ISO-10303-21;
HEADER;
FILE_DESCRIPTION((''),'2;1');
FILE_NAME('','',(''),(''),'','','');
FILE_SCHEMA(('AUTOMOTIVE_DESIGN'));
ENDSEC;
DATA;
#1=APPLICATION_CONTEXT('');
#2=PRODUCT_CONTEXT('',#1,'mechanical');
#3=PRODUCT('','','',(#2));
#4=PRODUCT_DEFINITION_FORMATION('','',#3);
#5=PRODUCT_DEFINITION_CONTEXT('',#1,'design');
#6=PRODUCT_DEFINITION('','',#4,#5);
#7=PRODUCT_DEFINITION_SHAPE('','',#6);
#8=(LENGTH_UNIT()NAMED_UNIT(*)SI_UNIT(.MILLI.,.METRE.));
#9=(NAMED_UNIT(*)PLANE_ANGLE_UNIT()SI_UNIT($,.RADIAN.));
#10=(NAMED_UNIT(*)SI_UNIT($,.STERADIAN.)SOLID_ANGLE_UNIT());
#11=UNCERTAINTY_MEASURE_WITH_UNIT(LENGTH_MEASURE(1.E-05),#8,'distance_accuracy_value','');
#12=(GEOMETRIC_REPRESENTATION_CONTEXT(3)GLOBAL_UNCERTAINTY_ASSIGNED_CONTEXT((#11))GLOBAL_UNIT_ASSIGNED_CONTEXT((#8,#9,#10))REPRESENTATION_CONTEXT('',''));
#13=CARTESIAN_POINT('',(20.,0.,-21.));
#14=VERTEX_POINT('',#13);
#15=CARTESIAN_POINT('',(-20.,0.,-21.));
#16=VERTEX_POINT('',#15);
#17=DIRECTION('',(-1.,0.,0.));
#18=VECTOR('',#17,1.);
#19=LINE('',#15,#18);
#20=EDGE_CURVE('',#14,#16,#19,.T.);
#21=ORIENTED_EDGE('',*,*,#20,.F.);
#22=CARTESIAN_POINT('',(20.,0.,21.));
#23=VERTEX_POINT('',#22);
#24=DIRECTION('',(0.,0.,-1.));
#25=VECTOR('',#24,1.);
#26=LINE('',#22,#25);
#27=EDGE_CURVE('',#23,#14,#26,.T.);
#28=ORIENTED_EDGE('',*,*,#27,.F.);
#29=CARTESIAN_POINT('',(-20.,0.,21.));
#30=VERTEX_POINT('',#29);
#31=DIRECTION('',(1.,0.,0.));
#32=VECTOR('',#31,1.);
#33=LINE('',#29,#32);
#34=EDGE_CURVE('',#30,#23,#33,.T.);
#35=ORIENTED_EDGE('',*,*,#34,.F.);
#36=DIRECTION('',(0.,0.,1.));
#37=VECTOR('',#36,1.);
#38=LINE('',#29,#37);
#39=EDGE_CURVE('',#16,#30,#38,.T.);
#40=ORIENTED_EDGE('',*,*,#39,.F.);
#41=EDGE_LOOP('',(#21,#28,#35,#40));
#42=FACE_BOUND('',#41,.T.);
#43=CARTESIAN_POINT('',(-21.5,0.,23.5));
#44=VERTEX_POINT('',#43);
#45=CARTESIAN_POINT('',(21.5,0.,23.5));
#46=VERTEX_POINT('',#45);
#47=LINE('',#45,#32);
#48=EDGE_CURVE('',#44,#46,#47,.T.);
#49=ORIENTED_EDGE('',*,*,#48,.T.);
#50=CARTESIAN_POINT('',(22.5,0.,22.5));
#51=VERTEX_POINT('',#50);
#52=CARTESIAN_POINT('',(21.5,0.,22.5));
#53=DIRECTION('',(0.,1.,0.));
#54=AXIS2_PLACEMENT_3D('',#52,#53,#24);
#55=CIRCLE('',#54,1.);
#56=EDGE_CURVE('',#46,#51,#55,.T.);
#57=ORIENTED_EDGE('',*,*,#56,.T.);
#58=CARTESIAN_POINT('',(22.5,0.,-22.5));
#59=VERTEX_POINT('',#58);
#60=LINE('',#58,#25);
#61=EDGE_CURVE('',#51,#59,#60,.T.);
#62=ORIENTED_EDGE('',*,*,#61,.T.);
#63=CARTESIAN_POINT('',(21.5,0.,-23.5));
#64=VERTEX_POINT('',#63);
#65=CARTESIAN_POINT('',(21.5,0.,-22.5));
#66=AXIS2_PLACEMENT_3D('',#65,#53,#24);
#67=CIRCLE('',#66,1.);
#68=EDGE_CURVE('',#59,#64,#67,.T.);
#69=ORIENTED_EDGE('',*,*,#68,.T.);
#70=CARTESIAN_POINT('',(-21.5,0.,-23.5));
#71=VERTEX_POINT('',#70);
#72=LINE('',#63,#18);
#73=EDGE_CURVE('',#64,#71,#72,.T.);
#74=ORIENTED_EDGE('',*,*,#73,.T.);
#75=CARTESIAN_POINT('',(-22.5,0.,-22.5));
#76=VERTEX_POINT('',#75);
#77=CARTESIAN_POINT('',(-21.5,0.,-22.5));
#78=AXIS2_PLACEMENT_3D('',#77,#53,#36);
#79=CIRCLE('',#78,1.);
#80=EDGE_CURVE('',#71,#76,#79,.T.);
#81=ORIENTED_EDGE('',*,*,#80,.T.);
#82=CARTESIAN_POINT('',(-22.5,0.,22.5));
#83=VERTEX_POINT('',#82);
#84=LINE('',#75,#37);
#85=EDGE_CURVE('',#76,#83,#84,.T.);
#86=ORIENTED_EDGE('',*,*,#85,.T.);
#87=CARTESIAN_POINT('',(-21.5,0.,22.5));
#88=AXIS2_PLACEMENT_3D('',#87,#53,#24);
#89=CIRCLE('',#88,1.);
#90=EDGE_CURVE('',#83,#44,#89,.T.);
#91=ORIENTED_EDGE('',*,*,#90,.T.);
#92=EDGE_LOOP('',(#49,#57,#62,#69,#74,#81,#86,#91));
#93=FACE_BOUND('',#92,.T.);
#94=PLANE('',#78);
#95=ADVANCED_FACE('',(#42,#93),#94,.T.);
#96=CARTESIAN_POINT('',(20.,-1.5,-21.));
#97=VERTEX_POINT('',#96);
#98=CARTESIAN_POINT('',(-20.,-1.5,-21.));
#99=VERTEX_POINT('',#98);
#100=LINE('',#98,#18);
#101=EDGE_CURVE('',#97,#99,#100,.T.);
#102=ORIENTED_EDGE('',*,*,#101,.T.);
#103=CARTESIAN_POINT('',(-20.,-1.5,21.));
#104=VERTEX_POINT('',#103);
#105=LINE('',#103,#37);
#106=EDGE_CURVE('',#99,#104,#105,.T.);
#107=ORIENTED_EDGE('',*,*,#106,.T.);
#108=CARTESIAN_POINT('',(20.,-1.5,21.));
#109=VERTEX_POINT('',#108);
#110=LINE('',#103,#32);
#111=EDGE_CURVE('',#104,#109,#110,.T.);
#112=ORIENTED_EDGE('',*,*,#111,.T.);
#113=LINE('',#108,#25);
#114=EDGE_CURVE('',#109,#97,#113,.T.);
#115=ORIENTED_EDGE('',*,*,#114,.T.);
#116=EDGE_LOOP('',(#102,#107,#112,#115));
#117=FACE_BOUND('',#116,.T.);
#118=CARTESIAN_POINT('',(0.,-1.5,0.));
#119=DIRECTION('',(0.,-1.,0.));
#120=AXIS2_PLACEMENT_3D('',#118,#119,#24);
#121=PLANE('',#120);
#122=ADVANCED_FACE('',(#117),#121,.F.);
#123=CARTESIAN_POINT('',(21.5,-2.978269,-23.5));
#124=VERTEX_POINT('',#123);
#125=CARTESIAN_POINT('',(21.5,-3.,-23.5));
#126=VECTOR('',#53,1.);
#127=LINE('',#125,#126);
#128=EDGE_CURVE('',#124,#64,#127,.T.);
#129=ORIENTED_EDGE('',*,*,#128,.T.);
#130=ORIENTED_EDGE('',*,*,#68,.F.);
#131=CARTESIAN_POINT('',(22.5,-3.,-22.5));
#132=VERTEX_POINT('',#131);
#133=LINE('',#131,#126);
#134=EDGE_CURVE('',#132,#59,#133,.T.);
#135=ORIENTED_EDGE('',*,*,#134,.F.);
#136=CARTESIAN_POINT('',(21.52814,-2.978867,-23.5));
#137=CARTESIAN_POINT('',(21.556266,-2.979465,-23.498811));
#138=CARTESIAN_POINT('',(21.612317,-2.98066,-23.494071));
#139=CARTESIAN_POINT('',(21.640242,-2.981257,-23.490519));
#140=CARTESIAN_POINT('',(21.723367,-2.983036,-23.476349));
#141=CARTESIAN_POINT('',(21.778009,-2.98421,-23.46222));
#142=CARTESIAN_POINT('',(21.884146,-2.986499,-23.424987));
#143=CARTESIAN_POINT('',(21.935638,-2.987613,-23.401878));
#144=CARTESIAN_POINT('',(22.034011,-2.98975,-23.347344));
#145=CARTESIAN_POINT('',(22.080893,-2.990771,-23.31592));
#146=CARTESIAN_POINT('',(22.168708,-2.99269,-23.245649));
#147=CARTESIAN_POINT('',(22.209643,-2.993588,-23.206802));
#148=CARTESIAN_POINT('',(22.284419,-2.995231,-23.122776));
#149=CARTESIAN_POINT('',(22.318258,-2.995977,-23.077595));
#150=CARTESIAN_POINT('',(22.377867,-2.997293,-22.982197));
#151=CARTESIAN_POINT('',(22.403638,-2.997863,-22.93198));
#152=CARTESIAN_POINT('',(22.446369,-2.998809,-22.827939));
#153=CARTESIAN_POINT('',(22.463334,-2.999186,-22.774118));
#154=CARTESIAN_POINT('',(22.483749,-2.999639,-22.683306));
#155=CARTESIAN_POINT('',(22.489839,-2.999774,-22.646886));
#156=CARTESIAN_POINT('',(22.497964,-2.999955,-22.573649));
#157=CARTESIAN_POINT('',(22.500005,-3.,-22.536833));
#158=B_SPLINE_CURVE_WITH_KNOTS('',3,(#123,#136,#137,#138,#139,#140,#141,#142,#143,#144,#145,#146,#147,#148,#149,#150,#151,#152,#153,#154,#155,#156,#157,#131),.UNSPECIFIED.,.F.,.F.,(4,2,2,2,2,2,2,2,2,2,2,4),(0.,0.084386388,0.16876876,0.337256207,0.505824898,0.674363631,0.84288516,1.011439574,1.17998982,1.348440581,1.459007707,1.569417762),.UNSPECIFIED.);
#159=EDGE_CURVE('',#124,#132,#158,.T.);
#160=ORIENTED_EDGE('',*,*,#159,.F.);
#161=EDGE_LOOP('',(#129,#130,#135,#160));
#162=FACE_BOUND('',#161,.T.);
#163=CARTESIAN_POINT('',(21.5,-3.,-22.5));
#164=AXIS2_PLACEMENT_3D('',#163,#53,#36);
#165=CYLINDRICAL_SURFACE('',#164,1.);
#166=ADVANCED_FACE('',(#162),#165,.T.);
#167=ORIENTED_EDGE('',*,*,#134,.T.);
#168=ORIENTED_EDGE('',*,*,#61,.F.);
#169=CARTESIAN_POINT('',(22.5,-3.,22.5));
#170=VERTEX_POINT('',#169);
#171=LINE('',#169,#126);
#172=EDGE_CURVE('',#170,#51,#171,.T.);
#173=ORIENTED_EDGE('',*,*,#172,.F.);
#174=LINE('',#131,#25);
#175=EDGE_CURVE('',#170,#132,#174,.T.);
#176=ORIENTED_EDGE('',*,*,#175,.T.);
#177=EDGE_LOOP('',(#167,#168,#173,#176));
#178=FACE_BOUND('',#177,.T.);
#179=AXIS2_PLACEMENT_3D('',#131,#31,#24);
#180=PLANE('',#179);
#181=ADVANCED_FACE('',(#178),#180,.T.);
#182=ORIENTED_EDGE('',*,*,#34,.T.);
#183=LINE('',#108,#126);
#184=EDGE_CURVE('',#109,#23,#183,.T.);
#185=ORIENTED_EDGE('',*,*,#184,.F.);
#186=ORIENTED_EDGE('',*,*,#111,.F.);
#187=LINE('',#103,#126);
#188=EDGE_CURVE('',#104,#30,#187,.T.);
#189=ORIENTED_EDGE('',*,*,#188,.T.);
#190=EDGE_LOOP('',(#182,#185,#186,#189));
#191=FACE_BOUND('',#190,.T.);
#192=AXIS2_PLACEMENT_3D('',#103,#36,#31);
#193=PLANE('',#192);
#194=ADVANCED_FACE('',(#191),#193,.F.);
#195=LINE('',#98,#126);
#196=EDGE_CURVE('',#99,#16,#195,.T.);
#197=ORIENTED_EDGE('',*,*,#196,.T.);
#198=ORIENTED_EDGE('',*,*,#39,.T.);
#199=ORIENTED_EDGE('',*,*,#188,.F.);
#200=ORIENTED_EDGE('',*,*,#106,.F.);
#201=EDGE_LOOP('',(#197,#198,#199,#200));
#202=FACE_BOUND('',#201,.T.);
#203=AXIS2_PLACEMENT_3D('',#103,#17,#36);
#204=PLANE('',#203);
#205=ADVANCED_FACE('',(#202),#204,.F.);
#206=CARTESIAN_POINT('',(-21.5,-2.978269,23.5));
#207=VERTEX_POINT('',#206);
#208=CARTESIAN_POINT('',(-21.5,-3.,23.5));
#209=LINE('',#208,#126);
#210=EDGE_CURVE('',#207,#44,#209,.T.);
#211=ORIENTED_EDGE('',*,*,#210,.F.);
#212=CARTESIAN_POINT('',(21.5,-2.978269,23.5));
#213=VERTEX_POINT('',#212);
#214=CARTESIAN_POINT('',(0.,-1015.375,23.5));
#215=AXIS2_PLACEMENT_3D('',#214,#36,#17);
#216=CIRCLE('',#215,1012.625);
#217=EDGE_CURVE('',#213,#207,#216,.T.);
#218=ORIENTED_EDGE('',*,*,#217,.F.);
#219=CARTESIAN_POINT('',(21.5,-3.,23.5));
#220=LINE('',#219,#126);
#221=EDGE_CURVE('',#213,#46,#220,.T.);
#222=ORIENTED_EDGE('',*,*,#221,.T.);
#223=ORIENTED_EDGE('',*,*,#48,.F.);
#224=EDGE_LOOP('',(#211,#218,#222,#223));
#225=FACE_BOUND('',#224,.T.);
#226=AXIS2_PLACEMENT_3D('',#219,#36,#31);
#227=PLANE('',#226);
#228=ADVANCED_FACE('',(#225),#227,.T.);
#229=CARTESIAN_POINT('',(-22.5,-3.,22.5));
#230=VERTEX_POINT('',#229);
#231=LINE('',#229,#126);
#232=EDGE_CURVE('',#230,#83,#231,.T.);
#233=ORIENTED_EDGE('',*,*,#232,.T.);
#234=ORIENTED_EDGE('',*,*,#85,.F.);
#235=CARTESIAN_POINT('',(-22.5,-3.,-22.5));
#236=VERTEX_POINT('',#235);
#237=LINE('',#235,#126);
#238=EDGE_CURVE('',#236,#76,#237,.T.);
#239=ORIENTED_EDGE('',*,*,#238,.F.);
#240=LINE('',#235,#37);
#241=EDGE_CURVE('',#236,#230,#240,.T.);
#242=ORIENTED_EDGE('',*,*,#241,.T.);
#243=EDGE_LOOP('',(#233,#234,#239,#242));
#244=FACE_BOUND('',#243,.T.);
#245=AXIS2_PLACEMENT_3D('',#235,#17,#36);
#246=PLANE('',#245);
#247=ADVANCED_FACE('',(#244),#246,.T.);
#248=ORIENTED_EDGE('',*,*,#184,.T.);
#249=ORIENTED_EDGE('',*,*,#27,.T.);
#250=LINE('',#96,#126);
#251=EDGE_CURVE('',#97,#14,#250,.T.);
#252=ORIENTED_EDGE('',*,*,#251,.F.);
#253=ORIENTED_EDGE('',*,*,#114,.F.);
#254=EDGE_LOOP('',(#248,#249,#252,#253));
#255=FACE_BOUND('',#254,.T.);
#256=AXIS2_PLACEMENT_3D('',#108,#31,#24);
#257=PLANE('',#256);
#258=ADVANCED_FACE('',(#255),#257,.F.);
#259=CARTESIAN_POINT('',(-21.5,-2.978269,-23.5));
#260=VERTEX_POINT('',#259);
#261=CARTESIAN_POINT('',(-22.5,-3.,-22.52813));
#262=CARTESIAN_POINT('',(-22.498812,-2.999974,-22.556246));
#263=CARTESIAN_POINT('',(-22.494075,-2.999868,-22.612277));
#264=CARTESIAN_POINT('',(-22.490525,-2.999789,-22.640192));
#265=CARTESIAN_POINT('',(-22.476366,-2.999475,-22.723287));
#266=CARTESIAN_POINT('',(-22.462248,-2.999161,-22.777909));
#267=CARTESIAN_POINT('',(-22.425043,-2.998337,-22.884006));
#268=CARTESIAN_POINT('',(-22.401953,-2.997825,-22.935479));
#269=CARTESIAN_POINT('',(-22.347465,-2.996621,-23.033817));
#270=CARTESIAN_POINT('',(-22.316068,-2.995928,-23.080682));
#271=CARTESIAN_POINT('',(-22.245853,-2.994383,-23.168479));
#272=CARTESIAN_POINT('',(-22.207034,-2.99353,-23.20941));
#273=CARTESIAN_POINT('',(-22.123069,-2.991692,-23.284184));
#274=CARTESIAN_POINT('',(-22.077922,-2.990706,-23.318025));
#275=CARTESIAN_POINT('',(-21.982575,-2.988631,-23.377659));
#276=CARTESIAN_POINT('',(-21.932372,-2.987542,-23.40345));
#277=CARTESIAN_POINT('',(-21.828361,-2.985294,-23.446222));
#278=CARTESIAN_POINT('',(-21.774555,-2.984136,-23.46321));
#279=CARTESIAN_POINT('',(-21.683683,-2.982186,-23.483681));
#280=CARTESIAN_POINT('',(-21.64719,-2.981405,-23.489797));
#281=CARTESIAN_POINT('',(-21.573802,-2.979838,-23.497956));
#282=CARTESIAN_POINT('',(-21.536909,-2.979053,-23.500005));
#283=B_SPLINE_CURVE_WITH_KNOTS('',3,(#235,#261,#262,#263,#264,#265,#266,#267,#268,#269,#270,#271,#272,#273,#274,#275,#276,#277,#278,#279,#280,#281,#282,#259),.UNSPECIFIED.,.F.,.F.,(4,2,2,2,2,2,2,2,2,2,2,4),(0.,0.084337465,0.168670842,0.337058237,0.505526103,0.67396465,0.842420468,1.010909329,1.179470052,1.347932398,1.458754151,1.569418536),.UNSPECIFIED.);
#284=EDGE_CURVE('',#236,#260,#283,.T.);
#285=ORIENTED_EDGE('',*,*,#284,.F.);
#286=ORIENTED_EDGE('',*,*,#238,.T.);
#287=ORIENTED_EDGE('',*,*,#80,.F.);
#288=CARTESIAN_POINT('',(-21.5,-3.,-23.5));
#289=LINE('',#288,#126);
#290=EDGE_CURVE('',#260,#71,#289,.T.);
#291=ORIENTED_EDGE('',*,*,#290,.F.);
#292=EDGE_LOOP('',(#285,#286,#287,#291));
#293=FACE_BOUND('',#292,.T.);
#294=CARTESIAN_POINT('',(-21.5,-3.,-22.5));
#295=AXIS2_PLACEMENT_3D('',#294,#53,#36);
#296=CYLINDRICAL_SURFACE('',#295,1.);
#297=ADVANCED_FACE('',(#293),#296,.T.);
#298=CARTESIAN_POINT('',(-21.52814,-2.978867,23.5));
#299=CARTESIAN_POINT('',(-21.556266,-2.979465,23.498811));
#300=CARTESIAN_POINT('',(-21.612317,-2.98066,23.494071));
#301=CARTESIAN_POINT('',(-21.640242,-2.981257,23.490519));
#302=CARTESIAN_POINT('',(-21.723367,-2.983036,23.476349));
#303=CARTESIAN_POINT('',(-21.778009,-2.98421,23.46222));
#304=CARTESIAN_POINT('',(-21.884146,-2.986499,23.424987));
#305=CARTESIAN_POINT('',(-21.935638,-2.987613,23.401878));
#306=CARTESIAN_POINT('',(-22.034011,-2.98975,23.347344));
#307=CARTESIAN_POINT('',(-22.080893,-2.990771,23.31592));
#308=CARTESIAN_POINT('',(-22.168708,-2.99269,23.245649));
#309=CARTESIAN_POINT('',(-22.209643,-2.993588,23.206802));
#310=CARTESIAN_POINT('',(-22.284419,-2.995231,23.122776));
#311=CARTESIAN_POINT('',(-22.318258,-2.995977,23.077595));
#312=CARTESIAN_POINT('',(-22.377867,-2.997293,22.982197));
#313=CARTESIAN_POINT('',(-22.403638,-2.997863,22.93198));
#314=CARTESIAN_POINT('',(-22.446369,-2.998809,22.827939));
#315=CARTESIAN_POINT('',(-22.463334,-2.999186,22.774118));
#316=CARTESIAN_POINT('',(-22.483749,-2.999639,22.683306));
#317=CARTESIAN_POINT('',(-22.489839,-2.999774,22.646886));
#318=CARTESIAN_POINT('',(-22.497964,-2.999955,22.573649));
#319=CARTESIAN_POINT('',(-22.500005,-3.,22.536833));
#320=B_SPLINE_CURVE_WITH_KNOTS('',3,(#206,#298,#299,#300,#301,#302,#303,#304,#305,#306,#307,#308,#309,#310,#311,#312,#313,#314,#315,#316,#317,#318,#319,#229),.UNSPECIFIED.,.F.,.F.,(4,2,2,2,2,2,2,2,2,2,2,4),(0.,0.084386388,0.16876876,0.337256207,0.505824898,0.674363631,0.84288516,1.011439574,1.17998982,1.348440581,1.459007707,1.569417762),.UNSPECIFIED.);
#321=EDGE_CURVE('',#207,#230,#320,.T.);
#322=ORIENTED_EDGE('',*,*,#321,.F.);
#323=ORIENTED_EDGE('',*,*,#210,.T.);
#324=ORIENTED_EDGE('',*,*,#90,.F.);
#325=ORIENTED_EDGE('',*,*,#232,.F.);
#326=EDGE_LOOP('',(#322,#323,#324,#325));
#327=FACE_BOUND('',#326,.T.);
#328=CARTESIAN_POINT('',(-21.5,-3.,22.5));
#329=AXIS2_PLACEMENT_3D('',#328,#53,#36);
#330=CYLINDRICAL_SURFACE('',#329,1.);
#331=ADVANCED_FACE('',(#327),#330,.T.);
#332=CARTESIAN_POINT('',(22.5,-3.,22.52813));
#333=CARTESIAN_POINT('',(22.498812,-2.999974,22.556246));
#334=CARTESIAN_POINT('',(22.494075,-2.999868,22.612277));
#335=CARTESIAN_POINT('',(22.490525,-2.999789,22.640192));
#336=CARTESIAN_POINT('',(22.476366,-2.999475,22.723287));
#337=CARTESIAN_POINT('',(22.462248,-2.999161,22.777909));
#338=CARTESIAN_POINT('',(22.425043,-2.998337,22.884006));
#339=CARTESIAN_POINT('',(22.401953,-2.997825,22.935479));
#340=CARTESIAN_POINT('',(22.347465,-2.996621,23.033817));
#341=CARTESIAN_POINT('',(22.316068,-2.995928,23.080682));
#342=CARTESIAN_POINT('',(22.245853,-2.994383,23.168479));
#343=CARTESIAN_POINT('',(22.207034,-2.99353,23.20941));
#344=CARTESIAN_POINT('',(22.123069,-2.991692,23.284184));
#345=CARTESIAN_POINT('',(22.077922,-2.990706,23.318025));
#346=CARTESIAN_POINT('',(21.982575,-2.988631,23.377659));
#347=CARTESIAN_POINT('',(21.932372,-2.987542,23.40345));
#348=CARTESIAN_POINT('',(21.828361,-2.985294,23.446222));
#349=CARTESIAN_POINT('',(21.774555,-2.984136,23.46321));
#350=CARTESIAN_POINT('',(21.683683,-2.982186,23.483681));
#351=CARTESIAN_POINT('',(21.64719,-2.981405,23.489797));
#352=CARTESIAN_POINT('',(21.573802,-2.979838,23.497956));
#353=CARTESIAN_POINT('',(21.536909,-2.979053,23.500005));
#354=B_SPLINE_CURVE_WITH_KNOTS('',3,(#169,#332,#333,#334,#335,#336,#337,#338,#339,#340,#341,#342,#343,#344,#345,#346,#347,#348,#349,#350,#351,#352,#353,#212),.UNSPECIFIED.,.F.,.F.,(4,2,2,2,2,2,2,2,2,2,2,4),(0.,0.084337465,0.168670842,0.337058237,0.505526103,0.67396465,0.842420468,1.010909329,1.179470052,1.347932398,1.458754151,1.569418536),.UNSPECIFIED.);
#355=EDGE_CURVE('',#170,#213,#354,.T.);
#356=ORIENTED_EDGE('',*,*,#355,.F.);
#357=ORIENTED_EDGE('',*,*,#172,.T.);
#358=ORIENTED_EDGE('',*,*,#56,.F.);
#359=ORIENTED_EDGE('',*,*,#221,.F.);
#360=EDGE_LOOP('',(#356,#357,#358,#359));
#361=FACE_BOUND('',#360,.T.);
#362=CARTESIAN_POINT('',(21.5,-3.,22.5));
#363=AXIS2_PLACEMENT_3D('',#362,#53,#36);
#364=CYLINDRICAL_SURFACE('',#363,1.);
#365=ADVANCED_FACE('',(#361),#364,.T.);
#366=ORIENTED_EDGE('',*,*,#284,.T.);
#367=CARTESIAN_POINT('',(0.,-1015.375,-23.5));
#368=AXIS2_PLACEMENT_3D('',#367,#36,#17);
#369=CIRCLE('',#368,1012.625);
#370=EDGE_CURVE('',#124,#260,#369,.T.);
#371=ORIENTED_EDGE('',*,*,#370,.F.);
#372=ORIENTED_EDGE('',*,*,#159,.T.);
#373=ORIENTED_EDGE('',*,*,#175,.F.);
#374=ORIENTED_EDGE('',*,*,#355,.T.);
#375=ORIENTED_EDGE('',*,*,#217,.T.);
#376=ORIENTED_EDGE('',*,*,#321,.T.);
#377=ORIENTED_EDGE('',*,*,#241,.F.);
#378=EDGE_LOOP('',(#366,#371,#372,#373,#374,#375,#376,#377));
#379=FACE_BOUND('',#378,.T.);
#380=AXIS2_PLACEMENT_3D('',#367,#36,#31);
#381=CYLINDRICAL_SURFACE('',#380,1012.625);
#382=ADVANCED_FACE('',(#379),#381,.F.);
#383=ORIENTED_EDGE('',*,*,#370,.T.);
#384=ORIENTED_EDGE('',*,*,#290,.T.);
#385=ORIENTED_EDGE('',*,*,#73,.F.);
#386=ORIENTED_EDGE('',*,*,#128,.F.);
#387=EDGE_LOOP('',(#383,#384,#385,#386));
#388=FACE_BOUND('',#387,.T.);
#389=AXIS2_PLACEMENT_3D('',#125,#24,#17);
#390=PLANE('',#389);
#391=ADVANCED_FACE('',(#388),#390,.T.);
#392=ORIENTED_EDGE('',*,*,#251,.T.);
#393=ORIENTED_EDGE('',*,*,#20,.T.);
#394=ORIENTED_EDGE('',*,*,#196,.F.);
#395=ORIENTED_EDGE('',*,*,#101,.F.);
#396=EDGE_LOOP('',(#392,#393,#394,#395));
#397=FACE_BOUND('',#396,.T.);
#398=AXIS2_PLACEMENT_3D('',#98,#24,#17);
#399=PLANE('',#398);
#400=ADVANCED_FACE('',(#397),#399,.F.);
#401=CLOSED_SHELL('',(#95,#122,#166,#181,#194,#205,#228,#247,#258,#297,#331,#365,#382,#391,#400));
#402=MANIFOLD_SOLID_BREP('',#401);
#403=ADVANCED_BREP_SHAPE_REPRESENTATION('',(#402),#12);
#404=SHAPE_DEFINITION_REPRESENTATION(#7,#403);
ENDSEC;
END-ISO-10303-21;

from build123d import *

# Parameters (mm, degrees)
BOSS_EXTRUDE1_DEPTH     = 3
CUT_EXTRUDE1_DEPTH      = 33.672618505
CUT_EXTRUDE1_DEPTH_BACK = 33.672618505
SKETCH4_W               = 40
SKETCH4_H               = 42
CUT_EXTRUDE2_DEPTH      = 1.5


with BuildPart() as part:
    # Sketch1 → Boss-Extrude1 (new body)
    with BuildSketch(Plane(origin=(0, 0, 0), x_dir=(1, 0, 0), z_dir=(0, 1, 0))):
        with BuildLine():
            Line((21.5, 23.5), (-21.5, 23.5))
            ThreePointArc((-21.5, 23.5), (-22.207106781, 23.207106781), (-22.5, 22.5))
            Line((-22.5, 22.5), (-22.5, -22.5))
            ThreePointArc((-22.5, -22.5), (-22.207106781, -23.207106781), (-21.5, -23.5))
            Line((-21.5, -23.5), (21.5, -23.5))
            ThreePointArc((21.5, -23.5), (22.207106781, -23.207106781), (22.5, -22.5))
            Line((22.5, -22.5), (22.5, 22.5))
            ThreePointArc((22.5, 22.5), (22.207106781, 23.207106781), (21.5, 23.5))
        make_face()
    extrude(amount=-BOSS_EXTRUDE1_DEPTH)

    # Sketch2 → Cut-Extrude1 (cut, two sides: drawn at the far end of the back side and taken through both)
    with BuildSketch(Plane.XY.offset(-CUT_EXTRUDE1_DEPTH_BACK)):
        with BuildLine():
            Line((-22.5, -3), (22.5, -3))
            ThreePointArc((22.5, -3), (0, -2.75), (-22.5, -3))
        make_face()
    extrude(amount=CUT_EXTRUDE1_DEPTH + CUT_EXTRUDE1_DEPTH_BACK, mode=Mode.SUBTRACT)

    # Sketch4 → Cut-Extrude2 (cut)
    with BuildSketch(Plane(origin=(0, 0, 0), x_dir=(1, 0, 0), z_dir=(0, 1, 0))):
        Rectangle(SKETCH4_W, SKETCH4_H)
    extrude(amount=-CUT_EXTRUDE2_DEPTH, mode=Mode.SUBTRACT)


solid = part.part
